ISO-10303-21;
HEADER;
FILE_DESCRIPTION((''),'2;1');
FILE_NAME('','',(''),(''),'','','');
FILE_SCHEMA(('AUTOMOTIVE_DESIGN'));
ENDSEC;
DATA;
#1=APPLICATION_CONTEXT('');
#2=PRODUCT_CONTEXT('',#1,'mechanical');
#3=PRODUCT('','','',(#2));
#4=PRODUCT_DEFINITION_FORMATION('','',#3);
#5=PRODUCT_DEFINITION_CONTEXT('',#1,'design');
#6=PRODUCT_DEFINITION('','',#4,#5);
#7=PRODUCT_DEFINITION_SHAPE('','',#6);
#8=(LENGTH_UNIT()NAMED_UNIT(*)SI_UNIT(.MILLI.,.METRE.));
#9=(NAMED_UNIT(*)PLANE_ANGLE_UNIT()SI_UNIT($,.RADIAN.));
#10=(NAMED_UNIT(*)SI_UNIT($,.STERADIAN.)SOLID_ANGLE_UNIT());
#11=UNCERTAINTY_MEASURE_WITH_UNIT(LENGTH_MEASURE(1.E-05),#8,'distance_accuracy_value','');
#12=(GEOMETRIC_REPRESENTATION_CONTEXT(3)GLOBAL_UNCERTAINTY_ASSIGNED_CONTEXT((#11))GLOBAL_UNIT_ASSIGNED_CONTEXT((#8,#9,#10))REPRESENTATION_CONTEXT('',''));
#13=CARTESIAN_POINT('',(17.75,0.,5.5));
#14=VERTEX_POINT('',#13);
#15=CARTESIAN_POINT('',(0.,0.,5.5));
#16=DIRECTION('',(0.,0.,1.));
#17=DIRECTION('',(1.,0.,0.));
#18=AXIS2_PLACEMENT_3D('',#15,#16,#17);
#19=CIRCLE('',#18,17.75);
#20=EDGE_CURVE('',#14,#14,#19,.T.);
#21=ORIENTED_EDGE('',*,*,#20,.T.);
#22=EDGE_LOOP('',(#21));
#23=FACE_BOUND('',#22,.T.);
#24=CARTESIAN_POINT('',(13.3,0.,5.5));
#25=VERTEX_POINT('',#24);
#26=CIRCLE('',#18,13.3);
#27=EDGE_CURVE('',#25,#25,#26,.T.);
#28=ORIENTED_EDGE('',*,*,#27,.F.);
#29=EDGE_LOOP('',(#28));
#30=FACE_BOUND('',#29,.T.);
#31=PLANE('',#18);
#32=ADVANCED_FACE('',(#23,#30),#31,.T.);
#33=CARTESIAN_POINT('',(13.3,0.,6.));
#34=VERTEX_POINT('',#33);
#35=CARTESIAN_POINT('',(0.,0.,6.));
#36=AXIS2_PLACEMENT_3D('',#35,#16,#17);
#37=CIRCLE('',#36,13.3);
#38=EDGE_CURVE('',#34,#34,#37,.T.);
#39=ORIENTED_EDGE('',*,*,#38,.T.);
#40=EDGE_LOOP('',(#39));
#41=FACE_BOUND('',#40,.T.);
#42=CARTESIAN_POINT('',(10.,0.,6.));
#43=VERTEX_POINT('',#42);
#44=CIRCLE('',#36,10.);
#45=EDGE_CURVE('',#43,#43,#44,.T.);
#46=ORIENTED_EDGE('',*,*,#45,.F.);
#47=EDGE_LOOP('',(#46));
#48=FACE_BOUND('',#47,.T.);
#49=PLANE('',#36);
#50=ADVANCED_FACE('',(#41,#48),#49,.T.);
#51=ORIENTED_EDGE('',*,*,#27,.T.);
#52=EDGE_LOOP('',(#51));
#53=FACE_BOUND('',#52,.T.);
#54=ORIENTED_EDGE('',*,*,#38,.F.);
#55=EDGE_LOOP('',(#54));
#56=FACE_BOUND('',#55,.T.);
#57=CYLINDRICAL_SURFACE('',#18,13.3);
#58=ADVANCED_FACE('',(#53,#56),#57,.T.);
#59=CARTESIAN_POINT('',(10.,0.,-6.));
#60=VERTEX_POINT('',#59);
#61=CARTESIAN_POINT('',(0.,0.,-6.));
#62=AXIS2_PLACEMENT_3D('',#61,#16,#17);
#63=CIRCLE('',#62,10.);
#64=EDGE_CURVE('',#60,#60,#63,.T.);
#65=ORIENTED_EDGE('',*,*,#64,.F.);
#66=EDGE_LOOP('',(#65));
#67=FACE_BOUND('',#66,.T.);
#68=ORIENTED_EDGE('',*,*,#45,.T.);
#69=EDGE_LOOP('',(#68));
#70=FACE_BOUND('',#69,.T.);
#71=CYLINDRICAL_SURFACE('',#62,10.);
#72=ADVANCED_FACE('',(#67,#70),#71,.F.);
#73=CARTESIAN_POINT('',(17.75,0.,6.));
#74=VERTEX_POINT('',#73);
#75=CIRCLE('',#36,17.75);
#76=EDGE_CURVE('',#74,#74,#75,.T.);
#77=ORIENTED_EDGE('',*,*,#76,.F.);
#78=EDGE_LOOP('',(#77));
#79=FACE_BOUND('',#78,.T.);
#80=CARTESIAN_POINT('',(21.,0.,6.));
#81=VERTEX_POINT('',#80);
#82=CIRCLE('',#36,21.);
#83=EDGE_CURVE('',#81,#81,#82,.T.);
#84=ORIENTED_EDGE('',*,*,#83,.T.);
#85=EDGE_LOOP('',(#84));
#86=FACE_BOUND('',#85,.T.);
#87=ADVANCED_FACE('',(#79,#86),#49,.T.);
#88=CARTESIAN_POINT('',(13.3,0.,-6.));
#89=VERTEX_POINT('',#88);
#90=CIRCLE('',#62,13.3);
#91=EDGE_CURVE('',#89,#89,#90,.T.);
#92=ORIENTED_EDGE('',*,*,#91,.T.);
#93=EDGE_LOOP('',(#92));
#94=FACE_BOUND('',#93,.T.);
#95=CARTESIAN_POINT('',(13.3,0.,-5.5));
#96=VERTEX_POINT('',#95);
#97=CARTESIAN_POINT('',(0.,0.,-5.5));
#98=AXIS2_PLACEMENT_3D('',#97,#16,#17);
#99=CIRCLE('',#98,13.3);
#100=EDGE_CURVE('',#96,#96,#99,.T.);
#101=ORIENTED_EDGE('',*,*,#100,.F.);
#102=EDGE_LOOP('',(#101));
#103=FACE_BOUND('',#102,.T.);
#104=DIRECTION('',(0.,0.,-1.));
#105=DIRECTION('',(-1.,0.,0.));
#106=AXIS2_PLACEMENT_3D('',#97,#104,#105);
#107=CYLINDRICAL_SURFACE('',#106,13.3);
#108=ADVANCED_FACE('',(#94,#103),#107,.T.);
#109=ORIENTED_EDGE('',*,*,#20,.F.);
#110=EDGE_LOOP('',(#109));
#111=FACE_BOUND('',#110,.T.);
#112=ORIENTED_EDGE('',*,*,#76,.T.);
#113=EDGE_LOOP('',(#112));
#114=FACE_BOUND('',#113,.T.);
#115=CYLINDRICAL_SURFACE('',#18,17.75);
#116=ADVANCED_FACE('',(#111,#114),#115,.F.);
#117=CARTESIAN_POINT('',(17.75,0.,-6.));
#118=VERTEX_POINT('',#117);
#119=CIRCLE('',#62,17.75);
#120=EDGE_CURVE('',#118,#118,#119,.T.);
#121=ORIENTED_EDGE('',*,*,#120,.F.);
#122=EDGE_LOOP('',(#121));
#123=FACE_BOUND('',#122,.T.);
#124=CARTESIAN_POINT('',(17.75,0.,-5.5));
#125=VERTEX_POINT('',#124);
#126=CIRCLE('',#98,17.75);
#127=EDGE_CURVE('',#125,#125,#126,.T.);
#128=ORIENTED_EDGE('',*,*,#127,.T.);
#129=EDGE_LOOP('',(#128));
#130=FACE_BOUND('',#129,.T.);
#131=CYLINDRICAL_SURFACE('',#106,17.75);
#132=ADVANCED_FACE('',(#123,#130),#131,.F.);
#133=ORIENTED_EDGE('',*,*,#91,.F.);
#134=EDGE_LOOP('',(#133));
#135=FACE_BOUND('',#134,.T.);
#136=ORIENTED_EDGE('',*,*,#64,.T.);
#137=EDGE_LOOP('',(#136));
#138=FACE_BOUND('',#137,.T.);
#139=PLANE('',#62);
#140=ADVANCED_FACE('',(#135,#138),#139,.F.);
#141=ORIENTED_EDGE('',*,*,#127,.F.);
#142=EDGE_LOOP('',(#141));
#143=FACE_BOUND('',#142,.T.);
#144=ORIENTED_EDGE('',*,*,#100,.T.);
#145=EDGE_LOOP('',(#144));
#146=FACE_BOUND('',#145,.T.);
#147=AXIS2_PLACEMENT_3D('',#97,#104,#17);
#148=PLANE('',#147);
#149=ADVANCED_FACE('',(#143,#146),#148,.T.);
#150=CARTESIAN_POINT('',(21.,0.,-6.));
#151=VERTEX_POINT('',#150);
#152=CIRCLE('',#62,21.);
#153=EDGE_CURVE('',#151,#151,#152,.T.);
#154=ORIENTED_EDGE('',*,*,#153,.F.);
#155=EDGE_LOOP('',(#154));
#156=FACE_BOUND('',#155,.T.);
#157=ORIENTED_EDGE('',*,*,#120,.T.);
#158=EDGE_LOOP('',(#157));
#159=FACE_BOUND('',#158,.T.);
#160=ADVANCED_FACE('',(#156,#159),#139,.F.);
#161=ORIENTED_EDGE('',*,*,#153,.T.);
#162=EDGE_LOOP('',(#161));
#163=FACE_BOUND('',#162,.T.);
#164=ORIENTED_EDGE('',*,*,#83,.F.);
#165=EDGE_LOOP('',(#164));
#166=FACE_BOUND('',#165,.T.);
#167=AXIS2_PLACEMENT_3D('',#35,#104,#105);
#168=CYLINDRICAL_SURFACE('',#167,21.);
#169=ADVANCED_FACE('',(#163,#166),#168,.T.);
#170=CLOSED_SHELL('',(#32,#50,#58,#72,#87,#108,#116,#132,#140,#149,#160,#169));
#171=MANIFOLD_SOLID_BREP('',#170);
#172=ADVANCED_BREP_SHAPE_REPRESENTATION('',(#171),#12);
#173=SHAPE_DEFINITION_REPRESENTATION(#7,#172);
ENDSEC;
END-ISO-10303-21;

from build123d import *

# Parameters (mm, degrees)
SKETCH_1_R          = 21
EXTRUDE_1_DEPTH     = 6
SKETCH_3_R          = 10
CUT_EXTRUDE_1_DEPTH = 13
SKETCH_2_R          = 17.75
SKETCH_2_R_2        = 13.3
CUT_EXTRUDE_2_DEPTH = 0.5


with BuildPart() as part:
    # 草圖1 → 填料-伸長1 (new body, symmetric)
    with BuildSketch(Plane.XY):
        Circle(SKETCH_1_R)
    extrude(amount=EXTRUDE_1_DEPTH, both=True)

    # 草圖3 → 除料-伸長1 (cut, through all)
    with BuildSketch(Plane.XY.offset(6)):
        Circle(SKETCH_3_R)
    extrude(amount=-CUT_EXTRUDE_1_DEPTH, mode=Mode.SUBTRACT)

    # 草圖2 → 除料-伸長2 (cut)
    with BuildSketch(Plane.XY.offset(6)):
        Circle(SKETCH_2_R)
        Circle(SKETCH_2_R_2, mode=Mode.SUBTRACT)
    cut_extrude_2 = extrude(amount=-CUT_EXTRUDE_2_DEPTH, mode=Mode.SUBTRACT)

    # 鏡射1: 除料-伸長2 across plane
    add(cut_extrude_2.mirror(Plane.XY), mode=Mode.SUBTRACT)


solid = part.part
